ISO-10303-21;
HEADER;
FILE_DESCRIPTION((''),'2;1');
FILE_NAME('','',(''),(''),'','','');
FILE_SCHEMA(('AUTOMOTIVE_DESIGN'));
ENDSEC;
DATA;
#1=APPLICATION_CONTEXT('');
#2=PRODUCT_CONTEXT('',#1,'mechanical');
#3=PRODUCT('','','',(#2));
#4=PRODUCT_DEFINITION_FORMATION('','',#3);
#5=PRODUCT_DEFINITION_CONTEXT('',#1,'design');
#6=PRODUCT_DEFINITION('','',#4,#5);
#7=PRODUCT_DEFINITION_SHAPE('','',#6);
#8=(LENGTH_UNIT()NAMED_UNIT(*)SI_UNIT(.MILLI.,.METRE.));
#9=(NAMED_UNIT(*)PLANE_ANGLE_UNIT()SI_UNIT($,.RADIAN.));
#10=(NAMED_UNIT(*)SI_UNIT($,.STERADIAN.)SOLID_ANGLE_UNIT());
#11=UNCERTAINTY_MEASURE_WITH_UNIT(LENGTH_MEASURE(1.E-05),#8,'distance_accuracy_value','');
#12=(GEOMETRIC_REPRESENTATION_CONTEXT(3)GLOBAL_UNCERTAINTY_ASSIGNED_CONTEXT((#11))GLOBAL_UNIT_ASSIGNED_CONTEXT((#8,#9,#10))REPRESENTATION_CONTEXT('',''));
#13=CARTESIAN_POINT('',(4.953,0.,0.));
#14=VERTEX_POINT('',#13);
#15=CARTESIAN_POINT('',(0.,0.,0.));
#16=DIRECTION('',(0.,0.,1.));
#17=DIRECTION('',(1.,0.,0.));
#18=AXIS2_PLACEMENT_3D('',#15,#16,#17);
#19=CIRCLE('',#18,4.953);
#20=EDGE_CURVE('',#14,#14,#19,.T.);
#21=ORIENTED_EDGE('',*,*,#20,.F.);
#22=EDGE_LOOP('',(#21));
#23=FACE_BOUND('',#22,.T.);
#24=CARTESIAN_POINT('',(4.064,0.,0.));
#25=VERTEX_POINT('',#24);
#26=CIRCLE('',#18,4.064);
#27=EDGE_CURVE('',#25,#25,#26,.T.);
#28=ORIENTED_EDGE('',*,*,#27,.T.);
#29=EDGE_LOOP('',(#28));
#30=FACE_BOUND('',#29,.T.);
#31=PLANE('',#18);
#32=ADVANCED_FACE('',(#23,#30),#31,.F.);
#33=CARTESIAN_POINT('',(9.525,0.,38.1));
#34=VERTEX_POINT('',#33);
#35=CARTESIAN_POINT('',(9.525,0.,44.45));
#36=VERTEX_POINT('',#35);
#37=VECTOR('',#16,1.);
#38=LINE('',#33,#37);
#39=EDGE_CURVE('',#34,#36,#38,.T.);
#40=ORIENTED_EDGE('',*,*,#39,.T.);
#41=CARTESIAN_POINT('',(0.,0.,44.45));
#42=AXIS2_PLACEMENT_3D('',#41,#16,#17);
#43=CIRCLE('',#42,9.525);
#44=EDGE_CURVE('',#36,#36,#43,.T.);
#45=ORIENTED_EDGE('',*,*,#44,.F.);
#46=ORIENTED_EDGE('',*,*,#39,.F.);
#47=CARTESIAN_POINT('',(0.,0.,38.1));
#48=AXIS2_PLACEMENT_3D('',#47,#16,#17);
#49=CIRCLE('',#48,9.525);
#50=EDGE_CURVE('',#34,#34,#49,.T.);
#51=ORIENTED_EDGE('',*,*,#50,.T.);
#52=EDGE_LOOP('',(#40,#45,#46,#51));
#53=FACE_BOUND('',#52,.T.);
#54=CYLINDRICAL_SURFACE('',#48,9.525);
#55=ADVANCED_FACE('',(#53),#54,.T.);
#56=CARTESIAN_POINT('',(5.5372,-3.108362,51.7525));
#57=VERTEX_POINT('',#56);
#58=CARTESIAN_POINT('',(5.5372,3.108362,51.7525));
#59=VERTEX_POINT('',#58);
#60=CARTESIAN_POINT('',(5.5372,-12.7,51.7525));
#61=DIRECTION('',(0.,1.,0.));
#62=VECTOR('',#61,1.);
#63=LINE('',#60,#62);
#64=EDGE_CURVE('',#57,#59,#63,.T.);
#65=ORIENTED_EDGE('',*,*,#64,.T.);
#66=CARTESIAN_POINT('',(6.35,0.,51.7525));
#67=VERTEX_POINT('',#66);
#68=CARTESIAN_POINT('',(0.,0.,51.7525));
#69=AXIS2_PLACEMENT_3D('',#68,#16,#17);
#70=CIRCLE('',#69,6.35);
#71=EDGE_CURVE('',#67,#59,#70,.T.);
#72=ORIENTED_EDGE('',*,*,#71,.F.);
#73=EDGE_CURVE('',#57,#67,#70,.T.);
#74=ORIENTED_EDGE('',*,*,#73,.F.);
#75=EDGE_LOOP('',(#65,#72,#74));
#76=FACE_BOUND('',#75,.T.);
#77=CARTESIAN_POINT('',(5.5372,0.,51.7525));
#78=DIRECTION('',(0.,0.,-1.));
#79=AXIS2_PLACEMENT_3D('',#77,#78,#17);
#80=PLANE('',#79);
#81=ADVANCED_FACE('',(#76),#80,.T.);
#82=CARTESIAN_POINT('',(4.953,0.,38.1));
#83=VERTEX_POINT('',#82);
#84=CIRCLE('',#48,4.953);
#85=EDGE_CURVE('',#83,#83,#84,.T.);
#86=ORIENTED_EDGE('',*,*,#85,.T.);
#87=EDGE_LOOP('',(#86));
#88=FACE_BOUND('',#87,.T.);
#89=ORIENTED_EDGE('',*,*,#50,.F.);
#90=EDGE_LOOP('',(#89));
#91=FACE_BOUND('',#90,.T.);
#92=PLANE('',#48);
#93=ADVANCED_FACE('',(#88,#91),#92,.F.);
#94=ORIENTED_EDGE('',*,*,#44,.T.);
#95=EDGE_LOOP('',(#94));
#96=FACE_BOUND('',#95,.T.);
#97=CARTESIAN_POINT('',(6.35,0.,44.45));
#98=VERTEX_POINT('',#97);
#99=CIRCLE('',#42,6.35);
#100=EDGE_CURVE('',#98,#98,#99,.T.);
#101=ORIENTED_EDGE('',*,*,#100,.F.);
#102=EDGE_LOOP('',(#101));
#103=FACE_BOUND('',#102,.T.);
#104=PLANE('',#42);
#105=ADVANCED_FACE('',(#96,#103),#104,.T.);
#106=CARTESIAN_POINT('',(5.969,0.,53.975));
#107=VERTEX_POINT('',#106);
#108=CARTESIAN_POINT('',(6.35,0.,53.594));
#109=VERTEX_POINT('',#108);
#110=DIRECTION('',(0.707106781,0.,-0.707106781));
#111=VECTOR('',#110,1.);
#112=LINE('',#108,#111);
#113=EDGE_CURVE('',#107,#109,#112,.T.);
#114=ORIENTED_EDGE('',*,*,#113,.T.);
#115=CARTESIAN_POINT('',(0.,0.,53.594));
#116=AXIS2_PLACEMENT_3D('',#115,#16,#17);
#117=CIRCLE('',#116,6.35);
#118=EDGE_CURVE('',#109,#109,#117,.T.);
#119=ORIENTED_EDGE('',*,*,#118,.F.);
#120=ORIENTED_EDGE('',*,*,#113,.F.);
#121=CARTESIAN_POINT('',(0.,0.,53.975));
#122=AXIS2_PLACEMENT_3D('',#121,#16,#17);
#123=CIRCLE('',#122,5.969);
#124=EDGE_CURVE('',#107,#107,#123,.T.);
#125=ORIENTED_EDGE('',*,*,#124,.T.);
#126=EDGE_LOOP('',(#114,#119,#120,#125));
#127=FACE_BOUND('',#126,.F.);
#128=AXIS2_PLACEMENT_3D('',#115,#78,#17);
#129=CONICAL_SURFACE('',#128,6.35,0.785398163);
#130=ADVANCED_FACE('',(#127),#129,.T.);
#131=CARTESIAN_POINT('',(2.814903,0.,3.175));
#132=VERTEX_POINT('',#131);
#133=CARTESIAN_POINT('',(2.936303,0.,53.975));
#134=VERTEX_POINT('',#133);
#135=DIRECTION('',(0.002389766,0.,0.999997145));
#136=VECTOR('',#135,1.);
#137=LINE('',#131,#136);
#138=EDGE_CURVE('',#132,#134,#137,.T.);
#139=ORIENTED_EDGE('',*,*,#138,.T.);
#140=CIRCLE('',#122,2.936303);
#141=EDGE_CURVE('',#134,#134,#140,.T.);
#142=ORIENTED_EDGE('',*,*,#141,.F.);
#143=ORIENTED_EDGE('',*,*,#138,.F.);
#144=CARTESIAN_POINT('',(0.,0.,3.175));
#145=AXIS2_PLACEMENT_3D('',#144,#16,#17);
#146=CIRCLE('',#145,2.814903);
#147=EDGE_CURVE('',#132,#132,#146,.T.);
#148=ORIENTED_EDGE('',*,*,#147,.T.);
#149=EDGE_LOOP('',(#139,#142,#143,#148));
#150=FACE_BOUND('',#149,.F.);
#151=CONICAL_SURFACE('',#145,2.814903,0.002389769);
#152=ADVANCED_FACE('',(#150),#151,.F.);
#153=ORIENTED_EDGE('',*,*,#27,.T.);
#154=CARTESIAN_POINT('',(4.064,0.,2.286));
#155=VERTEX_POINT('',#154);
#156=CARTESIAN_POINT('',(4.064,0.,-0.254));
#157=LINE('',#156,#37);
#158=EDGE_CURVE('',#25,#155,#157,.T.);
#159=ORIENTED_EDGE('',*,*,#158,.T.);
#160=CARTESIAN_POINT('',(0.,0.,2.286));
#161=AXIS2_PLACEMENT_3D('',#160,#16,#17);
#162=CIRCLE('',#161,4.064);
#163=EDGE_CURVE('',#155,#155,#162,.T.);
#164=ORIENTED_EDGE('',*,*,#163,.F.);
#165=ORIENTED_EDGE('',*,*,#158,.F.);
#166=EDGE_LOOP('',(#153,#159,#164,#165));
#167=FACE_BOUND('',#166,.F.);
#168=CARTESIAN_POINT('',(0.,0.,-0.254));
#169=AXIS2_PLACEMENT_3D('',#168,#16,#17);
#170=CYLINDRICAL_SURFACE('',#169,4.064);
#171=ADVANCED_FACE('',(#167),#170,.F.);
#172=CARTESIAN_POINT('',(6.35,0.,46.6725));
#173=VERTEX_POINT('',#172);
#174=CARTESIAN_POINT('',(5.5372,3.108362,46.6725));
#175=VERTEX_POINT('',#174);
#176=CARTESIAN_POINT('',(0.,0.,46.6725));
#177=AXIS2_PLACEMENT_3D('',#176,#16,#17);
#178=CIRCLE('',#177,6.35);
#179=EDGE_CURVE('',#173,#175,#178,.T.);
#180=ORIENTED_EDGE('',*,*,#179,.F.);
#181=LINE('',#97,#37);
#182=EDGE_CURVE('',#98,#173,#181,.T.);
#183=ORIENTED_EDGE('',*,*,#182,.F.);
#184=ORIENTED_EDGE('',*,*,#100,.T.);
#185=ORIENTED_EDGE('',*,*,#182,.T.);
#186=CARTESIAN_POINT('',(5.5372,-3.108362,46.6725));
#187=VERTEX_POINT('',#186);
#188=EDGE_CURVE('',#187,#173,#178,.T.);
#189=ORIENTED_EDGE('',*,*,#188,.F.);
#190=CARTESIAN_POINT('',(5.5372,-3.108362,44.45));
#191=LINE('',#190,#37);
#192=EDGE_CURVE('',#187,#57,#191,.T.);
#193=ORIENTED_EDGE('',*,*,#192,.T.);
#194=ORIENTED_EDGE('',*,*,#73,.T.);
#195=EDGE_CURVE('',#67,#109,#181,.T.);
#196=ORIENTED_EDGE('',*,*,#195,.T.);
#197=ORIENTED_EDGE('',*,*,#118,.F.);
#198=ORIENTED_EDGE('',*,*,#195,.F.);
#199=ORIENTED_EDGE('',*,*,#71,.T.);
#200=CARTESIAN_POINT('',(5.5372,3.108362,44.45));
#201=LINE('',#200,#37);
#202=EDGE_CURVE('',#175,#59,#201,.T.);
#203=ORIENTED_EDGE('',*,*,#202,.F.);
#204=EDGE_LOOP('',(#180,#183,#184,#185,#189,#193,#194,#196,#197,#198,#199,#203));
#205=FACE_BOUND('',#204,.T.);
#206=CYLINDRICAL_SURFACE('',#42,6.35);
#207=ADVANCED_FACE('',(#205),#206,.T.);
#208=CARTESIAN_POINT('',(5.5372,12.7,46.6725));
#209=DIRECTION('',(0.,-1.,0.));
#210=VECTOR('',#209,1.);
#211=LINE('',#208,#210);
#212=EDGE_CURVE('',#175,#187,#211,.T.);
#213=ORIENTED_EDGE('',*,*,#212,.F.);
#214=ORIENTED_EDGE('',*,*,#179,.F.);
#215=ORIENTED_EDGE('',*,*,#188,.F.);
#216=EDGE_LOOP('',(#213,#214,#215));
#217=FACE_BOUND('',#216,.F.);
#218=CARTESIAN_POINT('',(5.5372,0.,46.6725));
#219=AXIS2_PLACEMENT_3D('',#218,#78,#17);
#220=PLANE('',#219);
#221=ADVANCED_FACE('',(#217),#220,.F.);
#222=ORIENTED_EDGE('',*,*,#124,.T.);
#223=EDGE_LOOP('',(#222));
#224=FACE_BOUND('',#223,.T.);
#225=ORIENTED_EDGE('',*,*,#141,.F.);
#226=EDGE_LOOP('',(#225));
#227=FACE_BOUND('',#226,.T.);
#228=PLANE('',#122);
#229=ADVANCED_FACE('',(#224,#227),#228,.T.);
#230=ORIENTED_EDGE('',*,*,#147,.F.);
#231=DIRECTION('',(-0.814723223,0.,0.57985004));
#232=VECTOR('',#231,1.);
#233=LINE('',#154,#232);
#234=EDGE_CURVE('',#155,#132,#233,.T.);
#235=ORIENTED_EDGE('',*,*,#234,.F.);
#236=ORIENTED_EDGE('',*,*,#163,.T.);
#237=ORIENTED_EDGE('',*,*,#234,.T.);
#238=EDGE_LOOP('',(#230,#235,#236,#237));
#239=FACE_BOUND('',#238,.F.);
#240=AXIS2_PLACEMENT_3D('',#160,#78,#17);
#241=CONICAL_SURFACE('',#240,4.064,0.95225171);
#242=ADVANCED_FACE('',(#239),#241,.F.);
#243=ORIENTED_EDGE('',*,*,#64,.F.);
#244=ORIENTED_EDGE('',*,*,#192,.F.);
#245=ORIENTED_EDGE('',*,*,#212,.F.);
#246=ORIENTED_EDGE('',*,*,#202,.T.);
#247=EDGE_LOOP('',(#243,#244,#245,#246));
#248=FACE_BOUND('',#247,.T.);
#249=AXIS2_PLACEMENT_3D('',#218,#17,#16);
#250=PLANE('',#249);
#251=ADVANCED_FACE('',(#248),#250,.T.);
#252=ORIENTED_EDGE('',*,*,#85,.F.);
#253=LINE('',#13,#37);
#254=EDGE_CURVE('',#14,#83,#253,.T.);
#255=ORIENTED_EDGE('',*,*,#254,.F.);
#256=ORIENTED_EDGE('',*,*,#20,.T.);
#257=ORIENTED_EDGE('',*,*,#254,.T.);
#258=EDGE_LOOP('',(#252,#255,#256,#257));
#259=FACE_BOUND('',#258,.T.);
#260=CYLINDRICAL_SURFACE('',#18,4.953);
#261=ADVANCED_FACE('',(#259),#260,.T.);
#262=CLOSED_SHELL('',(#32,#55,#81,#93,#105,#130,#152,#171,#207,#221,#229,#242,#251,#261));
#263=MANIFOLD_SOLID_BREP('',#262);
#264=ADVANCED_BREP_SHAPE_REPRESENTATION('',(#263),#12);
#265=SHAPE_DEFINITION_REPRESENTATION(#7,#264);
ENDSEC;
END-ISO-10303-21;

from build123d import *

# Parameters (mm, degrees)
F4_SIZE  = 0.381
F5_W     = 1.5875
F5_H     = 5.08
F6_DEPTH = 12.7


with BuildPart() as f1:
    # F0 (on Front) → F1 (revolve)
    with BuildSketch(Plane.XZ):
        Polygon((0, 53.975), (0, 0), (4.953, 0), (4.953, 38.1), (9.525, 38.1), (9.525, 44.45), (6.35, 44.45), (6.35, 53.975), align=None)
    revolve(axis=Axis((0, 0, 26.9875), (0, 0, 1)))

    # F2 (on Front) → F3 (revolve, cut)
    with BuildSketch(Plane.XZ):
        Polygon((0, -0.254), (4.064, -0.254), (4.064, 2.286), (2.814903, 3.175), (2.939943, 55.497955), (0, 55.50498), (0, 53.903468), (0, 51.516321), align=None)
    revolve(axis=Axis((0, 0, 26.824734), (0, 0, 1)), mode=Mode.SUBTRACT)

    # F4
    f4_edges = [f1.edges().sort_by_distance(p)[0] for p in [
        (-6.35, 0, 53.975),
    ]]
    chamfer(f4_edges, length=F4_SIZE)

    # F5 (on Front) → F6 (cut, symmetric)
    with BuildSketch(Plane.XZ):
        with Locations((6.33095, 49.2125)):
            Rectangle(F5_W, F5_H)
    extrude(amount=F6_DEPTH, both=True, mode=Mode.SUBTRACT)


solid = f1.part
